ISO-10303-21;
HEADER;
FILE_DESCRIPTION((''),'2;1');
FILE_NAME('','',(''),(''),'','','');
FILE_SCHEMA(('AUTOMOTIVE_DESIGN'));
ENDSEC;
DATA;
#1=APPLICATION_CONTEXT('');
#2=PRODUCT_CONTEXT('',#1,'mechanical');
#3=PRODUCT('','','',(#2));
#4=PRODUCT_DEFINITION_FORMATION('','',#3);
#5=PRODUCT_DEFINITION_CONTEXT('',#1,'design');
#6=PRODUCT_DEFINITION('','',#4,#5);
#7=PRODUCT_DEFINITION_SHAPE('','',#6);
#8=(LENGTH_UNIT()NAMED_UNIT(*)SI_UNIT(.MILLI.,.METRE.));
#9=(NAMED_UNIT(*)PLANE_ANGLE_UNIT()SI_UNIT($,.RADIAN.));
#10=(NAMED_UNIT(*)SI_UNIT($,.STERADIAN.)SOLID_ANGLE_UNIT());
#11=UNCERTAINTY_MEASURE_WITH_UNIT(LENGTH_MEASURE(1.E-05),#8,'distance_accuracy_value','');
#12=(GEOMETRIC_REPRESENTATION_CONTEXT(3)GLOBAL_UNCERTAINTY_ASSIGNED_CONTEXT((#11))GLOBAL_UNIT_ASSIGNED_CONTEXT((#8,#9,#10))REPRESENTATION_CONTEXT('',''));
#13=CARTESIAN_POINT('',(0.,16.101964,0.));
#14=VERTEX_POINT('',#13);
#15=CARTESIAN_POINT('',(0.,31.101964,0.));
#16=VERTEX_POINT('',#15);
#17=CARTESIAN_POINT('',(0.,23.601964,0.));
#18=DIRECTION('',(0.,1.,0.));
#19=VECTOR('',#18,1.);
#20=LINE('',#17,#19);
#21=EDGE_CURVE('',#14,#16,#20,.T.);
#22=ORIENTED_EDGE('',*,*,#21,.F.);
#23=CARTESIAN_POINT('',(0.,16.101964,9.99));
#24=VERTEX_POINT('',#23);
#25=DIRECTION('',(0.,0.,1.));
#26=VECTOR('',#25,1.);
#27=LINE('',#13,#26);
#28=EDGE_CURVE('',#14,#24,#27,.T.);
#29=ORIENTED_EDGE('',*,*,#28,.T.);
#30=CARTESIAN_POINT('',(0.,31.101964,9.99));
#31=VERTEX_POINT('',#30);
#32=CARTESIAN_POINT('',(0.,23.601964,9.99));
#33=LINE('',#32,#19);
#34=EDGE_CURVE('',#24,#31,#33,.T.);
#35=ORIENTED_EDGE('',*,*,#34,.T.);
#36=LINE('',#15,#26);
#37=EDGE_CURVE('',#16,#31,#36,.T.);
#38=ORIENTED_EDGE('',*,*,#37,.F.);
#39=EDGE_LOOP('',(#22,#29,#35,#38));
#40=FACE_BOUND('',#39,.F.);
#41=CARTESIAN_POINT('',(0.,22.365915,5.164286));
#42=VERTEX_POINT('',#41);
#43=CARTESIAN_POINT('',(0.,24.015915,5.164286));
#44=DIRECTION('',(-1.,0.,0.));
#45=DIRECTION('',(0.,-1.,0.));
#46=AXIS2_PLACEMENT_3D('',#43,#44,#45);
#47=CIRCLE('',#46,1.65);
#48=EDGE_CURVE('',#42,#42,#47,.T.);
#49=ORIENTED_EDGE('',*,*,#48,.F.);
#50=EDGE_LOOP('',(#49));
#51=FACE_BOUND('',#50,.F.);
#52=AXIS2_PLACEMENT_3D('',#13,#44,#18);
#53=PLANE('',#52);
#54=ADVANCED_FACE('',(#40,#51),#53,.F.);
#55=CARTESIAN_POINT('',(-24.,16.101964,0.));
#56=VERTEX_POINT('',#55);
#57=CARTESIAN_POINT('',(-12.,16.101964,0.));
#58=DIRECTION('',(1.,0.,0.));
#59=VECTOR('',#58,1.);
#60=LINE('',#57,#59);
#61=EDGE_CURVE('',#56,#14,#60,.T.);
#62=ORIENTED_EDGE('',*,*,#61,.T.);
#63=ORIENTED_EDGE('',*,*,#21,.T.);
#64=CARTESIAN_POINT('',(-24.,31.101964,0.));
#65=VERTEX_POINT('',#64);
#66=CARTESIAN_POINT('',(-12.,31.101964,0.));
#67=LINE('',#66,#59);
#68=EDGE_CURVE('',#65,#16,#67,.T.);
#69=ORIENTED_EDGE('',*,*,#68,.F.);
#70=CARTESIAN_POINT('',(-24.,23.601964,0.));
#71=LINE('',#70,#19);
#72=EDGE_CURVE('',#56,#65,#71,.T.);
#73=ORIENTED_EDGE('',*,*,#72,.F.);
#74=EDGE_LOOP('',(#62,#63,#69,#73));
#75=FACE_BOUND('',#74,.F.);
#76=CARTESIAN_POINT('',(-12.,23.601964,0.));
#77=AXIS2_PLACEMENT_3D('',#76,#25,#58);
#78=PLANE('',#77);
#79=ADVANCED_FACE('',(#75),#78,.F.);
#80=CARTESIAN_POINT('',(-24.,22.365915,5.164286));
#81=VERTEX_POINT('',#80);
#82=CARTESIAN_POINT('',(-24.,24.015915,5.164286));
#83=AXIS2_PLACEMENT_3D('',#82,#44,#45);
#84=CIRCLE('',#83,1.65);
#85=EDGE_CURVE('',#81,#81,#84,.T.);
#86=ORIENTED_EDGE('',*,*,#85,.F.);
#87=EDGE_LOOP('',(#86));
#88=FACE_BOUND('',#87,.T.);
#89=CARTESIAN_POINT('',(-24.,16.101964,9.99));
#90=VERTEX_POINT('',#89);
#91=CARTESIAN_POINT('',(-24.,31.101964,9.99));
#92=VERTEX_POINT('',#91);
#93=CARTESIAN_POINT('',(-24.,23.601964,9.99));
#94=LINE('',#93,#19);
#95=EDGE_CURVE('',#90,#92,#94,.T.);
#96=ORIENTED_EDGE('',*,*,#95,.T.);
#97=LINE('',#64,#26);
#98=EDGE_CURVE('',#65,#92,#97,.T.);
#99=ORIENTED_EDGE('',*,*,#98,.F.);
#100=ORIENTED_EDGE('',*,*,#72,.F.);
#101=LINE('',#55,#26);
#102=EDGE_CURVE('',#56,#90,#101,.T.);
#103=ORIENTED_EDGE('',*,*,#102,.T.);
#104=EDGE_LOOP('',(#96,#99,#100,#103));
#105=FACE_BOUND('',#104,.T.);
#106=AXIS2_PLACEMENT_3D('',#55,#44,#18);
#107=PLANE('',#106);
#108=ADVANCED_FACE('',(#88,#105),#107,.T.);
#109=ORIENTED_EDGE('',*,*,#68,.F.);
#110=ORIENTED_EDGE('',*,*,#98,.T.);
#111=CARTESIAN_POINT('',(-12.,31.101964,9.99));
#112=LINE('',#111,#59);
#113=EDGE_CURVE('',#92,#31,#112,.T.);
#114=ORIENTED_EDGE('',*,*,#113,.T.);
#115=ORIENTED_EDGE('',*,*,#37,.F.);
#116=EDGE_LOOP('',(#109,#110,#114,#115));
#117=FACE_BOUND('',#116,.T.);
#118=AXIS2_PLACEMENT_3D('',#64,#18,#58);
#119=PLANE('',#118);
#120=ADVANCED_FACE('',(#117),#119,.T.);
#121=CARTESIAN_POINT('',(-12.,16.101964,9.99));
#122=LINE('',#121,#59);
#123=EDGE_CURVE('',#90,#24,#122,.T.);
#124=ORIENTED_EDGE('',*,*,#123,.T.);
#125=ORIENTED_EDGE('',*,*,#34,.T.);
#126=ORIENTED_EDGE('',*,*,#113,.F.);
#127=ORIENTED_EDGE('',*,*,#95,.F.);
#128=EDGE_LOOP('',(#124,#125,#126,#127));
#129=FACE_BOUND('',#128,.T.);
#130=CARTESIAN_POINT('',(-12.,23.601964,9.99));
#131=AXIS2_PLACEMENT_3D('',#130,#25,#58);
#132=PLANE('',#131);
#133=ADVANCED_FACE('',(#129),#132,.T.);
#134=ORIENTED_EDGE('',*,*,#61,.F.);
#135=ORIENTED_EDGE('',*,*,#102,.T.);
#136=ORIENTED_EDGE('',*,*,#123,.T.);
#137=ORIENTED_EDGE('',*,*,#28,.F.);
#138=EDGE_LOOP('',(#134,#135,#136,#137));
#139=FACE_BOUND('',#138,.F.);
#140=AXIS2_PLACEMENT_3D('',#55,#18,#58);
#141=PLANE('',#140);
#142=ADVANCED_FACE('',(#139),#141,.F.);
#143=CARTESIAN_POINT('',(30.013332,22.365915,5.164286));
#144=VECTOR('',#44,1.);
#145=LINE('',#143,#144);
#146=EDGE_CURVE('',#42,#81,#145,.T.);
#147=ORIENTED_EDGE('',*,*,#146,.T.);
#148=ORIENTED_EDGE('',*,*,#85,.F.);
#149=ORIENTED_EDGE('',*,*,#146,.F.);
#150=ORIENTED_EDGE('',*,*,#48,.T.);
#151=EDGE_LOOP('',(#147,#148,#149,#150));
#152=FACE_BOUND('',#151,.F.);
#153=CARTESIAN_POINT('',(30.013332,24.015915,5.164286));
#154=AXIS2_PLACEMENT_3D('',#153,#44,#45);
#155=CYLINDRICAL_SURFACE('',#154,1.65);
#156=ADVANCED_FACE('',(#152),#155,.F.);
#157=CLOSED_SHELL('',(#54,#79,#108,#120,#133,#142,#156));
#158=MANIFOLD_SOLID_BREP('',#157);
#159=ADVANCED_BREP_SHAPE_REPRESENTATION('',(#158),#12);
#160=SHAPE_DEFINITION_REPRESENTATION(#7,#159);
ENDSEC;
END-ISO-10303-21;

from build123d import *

# Parameters (mm, degrees)
F0_W     = 24
F0_H     = 15
F1_DEPTH = 9.99
F3_D     = 3.3


with BuildPart() as f1:
    # F0 (on Top) → F1 (new body)
    with BuildSketch(Plane.XY):
        with Locations((-12, 23.601964)):
            Rectangle(F0_W, F0_H)
    extrude(amount=F1_DEPTH)

    # F3 (through all)
    with Locations(Plane.YZ):
        with Locations((24.015915, 5.164286)):
            Hole(F3_D / 2)


solid = f1.part
